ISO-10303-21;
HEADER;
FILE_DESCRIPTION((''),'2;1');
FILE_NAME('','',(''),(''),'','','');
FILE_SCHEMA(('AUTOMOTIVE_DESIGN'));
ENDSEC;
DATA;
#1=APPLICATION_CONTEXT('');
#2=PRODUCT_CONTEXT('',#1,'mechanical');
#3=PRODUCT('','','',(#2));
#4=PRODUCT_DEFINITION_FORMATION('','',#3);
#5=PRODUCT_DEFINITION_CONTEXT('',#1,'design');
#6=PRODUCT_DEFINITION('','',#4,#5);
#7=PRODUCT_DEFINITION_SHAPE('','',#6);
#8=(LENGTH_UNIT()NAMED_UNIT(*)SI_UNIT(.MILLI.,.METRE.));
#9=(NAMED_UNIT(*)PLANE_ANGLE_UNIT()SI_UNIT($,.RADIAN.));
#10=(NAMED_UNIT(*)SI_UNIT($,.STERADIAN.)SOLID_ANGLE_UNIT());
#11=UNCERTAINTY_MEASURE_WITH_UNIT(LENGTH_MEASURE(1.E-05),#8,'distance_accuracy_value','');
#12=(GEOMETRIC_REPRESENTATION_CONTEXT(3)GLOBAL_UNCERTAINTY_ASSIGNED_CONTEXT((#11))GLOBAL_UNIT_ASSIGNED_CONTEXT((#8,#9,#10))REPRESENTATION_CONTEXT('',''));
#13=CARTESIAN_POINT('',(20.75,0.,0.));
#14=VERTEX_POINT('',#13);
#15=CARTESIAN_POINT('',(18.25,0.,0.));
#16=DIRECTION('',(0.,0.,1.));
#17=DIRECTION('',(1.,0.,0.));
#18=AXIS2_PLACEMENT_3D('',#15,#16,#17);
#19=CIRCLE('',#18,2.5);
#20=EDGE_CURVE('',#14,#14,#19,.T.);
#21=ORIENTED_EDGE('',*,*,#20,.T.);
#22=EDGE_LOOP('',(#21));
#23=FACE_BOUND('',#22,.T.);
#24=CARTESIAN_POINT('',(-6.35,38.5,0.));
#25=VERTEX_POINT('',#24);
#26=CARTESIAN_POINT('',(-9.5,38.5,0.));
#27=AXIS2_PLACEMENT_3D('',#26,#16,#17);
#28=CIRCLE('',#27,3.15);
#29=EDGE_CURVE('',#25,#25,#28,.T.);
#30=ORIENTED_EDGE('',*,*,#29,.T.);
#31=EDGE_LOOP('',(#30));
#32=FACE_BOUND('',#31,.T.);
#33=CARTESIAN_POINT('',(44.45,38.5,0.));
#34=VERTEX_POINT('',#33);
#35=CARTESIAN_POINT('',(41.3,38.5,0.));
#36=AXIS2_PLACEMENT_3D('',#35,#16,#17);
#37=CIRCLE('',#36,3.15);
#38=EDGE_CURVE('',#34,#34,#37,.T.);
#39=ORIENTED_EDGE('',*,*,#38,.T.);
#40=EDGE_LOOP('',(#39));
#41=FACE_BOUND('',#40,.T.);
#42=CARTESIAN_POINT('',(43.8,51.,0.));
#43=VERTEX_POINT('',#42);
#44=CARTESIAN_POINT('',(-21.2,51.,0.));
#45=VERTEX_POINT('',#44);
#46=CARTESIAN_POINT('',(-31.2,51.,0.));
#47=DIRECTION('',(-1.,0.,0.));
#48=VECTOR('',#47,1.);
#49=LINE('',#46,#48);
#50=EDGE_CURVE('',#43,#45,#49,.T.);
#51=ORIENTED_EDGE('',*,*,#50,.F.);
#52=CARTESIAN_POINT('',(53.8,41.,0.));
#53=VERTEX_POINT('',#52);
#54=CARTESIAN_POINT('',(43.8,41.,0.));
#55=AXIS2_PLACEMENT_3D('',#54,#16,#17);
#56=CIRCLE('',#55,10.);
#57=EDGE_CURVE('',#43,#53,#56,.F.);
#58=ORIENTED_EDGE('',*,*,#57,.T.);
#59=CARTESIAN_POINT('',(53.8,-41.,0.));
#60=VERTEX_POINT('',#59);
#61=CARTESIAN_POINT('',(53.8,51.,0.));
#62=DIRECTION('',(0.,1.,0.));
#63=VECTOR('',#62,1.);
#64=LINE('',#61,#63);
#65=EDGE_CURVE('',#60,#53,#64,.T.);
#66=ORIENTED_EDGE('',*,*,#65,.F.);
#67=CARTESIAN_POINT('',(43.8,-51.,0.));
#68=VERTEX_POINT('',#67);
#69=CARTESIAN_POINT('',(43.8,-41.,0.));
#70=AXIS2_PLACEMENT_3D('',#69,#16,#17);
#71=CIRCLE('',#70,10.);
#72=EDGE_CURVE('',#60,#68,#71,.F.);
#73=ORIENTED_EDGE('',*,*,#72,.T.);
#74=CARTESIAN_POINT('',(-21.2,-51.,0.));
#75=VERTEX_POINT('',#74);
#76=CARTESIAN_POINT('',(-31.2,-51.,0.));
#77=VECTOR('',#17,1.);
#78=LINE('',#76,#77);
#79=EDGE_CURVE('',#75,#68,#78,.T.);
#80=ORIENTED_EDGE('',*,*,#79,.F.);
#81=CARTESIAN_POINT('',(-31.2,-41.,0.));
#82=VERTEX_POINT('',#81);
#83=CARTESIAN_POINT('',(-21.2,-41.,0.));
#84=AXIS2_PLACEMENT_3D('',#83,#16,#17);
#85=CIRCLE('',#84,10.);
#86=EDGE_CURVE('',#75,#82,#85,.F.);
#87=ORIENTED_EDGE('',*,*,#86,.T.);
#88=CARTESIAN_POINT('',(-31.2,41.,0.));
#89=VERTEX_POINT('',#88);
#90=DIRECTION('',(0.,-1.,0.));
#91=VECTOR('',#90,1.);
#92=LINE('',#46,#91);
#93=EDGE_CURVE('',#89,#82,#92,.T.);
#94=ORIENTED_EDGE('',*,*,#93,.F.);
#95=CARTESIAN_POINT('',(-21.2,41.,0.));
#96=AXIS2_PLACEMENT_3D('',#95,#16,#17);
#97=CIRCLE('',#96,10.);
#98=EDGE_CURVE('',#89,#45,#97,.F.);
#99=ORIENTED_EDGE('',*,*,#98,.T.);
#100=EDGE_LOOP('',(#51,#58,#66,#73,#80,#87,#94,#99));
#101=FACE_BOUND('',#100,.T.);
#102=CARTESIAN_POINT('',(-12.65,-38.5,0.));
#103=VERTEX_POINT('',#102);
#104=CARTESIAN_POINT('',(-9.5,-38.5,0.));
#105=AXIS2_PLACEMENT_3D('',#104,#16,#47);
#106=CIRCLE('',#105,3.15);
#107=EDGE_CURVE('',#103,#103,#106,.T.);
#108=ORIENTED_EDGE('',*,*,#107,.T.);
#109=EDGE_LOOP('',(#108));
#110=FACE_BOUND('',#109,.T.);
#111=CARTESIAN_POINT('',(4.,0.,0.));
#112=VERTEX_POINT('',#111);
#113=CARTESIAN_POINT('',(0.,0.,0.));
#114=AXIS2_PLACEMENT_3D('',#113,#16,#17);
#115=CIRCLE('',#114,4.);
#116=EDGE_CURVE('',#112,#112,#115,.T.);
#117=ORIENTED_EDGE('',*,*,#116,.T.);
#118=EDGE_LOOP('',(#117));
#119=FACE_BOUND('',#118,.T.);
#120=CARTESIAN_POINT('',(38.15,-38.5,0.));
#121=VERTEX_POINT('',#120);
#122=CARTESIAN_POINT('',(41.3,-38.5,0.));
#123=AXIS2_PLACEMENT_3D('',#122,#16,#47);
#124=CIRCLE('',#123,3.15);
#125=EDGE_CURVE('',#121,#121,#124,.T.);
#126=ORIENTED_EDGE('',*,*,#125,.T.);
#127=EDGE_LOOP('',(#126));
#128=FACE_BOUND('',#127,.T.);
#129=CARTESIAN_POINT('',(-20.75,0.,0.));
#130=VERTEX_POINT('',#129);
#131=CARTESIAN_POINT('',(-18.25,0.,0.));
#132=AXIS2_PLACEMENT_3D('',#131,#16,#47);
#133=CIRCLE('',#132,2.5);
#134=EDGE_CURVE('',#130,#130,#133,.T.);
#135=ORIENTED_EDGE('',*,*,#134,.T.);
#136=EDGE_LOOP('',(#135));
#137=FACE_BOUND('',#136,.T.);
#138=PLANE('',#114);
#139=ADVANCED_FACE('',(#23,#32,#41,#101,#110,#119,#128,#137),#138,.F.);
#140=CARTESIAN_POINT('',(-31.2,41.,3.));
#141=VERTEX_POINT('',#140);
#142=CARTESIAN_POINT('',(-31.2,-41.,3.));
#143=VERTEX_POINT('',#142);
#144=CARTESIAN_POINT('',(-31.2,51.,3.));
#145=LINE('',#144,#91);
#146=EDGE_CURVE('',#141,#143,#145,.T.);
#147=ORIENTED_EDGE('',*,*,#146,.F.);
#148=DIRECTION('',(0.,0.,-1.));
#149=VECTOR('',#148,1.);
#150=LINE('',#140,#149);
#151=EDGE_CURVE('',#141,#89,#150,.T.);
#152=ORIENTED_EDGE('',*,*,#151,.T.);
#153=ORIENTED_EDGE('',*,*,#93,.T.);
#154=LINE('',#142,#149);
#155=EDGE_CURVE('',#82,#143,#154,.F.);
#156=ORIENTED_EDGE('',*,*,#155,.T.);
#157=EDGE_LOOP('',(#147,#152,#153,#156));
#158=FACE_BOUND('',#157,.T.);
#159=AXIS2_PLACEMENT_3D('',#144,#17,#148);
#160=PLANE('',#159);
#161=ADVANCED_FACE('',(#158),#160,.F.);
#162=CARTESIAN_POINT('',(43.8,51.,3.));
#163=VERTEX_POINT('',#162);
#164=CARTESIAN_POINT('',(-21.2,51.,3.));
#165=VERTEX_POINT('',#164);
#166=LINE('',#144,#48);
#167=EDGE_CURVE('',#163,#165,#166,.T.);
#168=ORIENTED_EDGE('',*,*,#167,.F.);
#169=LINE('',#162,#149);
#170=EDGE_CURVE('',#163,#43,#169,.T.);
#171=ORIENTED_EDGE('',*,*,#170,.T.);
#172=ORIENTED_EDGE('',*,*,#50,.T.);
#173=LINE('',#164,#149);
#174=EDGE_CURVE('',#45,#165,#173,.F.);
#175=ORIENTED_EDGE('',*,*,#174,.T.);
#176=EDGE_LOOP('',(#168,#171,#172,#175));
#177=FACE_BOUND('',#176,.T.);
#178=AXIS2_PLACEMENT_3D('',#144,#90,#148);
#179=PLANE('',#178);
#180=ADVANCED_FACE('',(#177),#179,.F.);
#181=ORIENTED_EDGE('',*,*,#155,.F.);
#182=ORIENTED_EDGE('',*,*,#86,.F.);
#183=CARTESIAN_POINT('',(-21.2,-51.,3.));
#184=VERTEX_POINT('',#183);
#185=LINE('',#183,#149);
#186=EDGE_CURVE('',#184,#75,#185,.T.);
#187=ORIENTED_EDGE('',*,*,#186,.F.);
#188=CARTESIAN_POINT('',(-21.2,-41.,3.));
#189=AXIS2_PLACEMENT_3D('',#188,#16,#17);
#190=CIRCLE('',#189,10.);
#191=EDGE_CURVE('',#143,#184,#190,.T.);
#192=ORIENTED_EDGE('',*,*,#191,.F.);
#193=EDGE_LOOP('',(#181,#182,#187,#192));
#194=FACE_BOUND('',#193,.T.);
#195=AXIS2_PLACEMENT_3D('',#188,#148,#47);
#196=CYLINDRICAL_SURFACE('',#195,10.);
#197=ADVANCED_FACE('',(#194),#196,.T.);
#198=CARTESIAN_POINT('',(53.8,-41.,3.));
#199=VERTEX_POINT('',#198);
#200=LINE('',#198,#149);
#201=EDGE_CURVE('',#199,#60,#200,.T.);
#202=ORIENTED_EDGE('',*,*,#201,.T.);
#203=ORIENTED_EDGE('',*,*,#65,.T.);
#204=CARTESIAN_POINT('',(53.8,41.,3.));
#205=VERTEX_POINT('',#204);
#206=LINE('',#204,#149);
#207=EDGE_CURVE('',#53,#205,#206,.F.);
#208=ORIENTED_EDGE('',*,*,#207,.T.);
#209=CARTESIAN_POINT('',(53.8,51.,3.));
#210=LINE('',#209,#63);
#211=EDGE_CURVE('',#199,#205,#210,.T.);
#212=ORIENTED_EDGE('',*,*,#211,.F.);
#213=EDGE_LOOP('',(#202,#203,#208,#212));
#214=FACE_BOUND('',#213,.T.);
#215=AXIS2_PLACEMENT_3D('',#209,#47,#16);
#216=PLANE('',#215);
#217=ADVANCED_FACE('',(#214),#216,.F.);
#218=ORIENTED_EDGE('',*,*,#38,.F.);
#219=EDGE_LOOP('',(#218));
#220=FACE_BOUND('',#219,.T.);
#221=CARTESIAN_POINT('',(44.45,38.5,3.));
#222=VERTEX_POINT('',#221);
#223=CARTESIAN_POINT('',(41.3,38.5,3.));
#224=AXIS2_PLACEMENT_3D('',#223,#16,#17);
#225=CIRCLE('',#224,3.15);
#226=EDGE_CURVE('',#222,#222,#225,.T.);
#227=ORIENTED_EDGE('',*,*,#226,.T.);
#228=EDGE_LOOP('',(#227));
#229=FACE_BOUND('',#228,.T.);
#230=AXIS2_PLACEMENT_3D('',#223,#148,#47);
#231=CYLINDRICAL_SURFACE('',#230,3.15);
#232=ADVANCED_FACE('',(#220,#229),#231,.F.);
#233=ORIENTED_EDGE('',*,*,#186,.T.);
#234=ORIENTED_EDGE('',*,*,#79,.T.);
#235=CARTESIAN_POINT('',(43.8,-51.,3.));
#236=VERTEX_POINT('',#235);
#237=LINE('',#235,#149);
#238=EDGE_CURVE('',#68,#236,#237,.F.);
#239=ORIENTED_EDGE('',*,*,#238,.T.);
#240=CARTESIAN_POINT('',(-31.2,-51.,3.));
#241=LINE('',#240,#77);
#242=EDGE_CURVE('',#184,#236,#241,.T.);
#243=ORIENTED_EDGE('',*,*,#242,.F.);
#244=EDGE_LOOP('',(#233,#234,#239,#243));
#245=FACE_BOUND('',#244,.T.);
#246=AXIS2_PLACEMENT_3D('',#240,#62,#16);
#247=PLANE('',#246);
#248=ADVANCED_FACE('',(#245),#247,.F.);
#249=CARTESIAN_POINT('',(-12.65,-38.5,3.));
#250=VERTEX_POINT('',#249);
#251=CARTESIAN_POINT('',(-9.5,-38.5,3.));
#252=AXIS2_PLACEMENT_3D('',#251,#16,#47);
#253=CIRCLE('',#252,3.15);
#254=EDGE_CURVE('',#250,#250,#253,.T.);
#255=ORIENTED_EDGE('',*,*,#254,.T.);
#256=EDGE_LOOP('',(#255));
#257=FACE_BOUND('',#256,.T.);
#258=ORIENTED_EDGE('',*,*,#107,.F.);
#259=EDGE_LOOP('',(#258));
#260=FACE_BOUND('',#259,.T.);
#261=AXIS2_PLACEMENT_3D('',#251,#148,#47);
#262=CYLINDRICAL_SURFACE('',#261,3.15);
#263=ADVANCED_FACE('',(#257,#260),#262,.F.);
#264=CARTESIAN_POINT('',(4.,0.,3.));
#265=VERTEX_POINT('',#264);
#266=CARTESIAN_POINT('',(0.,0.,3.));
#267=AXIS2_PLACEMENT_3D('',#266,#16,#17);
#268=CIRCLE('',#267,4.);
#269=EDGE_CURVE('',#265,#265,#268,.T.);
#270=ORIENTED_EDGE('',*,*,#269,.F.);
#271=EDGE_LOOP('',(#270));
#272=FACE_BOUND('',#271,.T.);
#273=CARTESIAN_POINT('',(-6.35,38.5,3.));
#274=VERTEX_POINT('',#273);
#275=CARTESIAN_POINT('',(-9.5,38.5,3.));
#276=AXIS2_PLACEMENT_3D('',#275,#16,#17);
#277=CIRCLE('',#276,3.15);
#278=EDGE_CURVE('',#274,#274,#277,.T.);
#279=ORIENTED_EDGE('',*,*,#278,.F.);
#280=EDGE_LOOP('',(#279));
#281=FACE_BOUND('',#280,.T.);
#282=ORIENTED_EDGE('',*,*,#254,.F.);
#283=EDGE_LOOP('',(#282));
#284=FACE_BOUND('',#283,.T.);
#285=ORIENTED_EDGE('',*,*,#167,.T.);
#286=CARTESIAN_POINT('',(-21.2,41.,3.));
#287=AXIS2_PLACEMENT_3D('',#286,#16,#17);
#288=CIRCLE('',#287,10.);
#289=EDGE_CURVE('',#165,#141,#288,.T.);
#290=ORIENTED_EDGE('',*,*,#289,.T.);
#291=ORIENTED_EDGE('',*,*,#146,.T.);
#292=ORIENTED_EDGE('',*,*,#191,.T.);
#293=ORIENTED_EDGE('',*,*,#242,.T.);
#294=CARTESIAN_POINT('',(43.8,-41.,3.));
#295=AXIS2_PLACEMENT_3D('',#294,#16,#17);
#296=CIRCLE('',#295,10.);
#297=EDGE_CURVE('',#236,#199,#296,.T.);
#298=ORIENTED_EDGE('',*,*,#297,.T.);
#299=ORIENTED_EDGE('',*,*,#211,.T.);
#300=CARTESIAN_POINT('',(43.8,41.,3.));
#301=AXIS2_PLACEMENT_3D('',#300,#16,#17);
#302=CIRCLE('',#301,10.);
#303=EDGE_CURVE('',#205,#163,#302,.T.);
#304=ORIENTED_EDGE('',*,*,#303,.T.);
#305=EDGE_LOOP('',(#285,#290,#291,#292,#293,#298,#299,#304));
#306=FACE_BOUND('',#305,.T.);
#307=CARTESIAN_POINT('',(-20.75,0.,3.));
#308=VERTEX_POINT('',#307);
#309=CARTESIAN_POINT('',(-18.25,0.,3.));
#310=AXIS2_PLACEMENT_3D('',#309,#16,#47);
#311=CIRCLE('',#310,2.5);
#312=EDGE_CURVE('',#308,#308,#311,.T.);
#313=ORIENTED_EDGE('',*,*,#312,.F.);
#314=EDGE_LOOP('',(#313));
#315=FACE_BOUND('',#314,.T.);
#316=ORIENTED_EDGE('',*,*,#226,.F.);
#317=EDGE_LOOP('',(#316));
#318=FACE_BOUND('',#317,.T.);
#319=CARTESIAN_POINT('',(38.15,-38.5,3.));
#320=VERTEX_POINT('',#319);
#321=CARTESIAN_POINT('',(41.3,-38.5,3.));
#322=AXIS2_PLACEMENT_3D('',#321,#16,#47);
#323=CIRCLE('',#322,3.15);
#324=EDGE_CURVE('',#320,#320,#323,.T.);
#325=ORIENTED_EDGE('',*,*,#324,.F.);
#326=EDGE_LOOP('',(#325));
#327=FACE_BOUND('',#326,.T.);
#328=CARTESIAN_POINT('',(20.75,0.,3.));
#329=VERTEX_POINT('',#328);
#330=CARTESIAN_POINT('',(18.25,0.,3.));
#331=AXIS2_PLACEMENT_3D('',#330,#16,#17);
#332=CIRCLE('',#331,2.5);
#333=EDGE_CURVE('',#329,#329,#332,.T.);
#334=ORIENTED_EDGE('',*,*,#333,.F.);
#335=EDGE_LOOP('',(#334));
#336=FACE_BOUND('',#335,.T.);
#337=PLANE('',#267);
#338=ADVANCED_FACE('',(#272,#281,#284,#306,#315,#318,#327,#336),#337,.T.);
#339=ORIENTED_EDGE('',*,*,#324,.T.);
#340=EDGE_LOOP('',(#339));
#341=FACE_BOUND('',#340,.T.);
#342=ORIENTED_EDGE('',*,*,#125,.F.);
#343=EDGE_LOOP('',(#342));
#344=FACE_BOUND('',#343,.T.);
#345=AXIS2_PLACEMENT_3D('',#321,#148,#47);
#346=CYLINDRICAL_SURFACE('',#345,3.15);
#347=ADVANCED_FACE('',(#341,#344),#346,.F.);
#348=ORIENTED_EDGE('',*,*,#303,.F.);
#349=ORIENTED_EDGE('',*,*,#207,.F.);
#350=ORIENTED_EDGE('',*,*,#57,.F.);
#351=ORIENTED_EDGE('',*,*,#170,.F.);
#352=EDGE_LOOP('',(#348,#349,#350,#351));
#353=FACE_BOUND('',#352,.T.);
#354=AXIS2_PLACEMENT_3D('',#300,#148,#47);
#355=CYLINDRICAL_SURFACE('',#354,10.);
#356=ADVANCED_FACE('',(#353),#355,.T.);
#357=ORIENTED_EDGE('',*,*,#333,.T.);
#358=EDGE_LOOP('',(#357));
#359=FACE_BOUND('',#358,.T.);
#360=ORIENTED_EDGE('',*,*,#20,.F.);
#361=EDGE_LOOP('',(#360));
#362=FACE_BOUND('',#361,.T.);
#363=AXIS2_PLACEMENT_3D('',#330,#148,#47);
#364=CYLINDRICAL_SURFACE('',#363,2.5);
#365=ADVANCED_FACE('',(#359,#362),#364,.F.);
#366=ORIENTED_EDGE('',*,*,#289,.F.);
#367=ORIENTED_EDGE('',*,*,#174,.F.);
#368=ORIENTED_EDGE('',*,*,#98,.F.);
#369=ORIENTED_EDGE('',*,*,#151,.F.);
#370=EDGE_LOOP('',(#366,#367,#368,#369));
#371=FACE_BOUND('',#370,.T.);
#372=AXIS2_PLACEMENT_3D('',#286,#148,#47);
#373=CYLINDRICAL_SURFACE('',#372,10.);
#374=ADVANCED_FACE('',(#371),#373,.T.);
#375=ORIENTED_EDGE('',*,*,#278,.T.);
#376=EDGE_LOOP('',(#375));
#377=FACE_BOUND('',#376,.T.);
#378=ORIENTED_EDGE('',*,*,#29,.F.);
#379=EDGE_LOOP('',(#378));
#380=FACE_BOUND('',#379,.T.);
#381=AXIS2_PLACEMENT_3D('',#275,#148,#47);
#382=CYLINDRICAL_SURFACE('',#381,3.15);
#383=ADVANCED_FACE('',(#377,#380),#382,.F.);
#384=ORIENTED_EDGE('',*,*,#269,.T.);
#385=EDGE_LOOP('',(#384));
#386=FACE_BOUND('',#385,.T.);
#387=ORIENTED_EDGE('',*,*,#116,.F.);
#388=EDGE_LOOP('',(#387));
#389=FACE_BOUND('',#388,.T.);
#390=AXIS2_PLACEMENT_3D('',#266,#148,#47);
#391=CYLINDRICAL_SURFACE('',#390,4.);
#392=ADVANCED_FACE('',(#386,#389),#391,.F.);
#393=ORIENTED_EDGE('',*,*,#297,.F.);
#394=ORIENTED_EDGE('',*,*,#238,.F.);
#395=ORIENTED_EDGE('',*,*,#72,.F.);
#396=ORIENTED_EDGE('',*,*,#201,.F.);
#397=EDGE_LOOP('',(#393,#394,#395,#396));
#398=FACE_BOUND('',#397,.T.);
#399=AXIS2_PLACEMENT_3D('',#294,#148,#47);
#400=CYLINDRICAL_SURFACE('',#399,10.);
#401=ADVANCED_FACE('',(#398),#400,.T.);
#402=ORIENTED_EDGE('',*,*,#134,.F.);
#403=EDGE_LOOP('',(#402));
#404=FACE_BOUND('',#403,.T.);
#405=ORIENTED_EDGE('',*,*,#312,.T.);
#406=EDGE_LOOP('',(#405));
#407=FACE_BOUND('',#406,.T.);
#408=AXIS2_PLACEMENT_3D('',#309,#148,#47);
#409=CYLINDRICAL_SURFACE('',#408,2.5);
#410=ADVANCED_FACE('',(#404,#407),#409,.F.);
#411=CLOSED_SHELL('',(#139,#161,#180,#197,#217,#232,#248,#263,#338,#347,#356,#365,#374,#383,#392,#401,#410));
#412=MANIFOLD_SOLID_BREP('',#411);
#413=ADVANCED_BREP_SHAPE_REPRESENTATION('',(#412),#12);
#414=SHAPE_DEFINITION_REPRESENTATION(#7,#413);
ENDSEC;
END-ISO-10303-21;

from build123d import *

# Parameters (mm, degrees)
CROQUIS1_W              = 85
CROQUIS1_H              = 102
CROQUIS1_R              = 4
CROQUIS1_R_2            = 2.5
CROQUIS1_R_3            = 3.15
SALIENTE_EXTRUIR1_DEPTH = 3
REDONDEO1_R             = 10


with BuildPart() as part:
    # Croquis1 → Saliente-Extruir1 (new body)
    with BuildSketch(Plane.XY):
        with Locations((11.3, 0)):
            Rectangle(CROQUIS1_W, CROQUIS1_H)
        Circle(CROQUIS1_R, mode=Mode.SUBTRACT)
        with Locations((18.25, 0)):
            Circle(CROQUIS1_R_2, mode=Mode.SUBTRACT)
        with Locations(Location((-18.25, 0, 0), (0, 0, 180))):
            Circle(CROQUIS1_R_2, mode=Mode.SUBTRACT)
        with Locations((-9.5, 38.5)):
            Circle(CROQUIS1_R_3, mode=Mode.SUBTRACT)
        with Locations(Location((-9.5, -38.5, 0), (0, 0, 180))):
            Circle(CROQUIS1_R_3, mode=Mode.SUBTRACT)
        with Locations((41.3, 38.5)):
            Circle(CROQUIS1_R_3, mode=Mode.SUBTRACT)
        with Locations(Location((41.3, -38.5, 0), (0, 0, 180))):
            Circle(CROQUIS1_R_3, mode=Mode.SUBTRACT)
    extrude(amount=SALIENTE_EXTRUIR1_DEPTH)

    # Redondeo1
    redondeo1_edges = [part.edges().sort_by_distance(p)[0] for p in [
        (-31.2, 51, 1.5),
        (53.8, 51, 1.5),
        (53.8, -51, 1.5),
        (-31.2, -51, 1.5),
    ]]
    fillet(redondeo1_edges, radius=REDONDEO1_R)


solid = part.part
